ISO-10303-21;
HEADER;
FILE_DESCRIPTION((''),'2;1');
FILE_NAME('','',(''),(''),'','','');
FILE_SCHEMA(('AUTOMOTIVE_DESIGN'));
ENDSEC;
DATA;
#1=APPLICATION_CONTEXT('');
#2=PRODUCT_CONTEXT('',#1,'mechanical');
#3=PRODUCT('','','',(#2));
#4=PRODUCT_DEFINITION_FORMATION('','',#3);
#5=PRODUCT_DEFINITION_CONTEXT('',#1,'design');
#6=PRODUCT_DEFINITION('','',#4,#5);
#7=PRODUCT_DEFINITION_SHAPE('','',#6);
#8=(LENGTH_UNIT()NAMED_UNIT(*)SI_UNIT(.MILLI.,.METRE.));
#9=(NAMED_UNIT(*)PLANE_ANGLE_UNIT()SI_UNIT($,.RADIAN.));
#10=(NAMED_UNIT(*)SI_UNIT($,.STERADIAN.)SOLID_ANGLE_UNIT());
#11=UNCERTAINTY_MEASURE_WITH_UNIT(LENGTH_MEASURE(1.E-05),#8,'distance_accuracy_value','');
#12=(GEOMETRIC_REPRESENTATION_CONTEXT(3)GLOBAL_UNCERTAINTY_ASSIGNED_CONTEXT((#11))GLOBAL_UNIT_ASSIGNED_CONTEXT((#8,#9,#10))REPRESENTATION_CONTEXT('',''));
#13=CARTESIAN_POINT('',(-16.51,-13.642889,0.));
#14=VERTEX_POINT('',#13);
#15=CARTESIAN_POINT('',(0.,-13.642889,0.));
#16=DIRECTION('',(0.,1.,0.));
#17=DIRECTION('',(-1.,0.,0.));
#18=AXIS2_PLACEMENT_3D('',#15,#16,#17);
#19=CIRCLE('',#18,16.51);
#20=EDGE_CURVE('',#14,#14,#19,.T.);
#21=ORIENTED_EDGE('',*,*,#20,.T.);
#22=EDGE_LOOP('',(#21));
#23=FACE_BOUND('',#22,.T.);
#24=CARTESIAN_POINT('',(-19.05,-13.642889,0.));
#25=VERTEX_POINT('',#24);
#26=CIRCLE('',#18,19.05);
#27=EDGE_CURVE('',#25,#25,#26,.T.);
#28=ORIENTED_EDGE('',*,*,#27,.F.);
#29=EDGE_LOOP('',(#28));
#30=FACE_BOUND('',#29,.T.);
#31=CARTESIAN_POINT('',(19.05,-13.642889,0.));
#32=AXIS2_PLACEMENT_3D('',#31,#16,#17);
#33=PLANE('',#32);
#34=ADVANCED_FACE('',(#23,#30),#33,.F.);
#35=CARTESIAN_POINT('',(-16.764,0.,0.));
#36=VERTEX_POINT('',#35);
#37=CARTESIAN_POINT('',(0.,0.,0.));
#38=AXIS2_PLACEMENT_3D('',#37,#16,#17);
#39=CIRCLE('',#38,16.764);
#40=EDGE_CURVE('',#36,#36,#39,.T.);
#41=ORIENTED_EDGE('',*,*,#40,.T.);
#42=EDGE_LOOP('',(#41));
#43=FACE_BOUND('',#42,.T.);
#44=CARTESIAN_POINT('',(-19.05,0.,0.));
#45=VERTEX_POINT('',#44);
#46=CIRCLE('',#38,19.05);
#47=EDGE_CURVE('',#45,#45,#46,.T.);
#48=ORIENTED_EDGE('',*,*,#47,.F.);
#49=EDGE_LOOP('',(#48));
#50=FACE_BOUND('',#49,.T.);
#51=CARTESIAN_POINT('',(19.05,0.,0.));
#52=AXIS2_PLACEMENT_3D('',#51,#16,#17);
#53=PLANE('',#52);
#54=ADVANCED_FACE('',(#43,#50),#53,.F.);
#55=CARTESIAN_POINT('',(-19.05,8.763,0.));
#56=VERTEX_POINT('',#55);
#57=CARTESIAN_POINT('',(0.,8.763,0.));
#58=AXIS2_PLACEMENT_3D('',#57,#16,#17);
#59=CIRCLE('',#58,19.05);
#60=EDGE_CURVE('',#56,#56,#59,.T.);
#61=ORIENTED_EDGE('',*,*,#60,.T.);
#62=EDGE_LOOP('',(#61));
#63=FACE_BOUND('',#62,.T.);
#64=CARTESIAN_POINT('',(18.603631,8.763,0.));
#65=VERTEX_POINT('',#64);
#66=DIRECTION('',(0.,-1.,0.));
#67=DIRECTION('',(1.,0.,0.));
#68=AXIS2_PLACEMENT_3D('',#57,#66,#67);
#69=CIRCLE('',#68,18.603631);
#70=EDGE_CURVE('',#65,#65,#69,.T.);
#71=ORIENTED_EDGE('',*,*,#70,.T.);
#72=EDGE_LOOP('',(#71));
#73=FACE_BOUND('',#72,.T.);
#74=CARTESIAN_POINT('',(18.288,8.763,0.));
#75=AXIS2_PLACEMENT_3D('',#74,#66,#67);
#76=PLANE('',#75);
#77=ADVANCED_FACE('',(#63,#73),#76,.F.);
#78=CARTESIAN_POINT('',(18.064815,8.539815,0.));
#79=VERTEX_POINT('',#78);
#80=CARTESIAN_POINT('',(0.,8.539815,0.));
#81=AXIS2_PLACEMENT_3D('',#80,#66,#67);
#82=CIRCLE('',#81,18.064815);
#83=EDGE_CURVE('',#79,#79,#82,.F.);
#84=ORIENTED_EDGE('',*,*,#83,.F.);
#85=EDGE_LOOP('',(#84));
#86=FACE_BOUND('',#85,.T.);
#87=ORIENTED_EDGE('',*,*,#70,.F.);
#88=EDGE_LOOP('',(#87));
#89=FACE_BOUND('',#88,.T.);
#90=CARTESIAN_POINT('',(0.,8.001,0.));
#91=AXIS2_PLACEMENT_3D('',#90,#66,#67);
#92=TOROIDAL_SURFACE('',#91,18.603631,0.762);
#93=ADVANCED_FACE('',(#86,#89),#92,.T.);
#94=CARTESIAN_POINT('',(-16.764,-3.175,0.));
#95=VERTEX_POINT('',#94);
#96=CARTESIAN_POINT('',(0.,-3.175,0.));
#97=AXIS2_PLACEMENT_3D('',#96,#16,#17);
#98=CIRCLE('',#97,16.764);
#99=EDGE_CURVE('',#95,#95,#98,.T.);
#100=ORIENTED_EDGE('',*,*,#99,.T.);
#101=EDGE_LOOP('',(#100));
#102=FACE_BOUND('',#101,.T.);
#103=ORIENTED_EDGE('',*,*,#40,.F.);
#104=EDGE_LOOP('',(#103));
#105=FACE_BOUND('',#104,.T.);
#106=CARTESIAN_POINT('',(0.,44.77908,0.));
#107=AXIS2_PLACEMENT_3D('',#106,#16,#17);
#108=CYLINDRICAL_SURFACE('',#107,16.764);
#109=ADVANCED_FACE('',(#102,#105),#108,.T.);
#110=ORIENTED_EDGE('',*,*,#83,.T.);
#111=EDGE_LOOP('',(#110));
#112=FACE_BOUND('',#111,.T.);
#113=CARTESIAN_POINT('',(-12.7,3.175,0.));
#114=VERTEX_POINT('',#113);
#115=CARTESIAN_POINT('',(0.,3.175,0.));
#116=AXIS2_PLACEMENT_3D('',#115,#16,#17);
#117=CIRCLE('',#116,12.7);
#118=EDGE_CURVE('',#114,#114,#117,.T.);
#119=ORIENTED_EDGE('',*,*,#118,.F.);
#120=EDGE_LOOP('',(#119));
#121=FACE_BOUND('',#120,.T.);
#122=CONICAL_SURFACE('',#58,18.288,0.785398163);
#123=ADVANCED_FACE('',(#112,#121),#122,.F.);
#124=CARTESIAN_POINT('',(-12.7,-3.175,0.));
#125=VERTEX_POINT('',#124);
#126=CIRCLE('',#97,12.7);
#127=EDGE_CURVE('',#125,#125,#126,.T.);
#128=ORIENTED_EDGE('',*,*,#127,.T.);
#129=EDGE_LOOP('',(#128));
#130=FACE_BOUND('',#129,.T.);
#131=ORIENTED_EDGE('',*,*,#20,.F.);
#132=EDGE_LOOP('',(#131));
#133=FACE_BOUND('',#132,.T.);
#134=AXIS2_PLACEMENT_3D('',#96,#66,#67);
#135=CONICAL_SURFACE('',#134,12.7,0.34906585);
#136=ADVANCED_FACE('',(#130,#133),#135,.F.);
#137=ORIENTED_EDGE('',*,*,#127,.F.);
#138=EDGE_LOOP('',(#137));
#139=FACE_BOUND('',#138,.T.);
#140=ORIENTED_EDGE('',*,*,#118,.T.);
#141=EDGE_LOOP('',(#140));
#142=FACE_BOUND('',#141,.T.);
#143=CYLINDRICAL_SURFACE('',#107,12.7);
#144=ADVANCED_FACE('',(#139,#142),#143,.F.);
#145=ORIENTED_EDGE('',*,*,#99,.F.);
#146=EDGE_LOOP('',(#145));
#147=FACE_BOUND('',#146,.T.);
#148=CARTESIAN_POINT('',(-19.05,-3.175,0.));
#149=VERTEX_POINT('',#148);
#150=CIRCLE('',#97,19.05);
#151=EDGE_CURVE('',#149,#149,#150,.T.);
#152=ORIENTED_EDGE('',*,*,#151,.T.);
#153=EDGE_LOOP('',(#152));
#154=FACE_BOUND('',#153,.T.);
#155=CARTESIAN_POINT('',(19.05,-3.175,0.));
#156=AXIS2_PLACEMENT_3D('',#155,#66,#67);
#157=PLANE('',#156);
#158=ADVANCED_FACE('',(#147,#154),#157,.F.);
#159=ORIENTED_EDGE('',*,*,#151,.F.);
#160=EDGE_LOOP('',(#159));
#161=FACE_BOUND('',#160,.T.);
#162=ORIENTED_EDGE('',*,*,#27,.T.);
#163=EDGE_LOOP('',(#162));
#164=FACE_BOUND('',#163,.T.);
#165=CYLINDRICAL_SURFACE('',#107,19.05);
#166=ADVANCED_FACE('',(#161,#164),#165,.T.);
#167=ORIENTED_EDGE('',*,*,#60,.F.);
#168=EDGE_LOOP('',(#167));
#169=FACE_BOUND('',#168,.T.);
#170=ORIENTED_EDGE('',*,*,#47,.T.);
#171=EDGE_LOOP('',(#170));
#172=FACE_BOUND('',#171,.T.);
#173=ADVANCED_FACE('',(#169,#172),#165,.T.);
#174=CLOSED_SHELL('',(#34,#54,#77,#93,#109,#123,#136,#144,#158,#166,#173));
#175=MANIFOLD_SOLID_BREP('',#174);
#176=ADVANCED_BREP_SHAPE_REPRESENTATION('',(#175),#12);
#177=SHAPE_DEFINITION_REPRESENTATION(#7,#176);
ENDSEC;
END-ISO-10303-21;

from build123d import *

# Parameters (mm, degrees)
FILLET3_R = 0.762


with BuildPart() as part:
    # Sketch1 → Revolve1 (revolve)
    with BuildSketch(Plane.XY, mode=Mode.PRIVATE) as revolve1_sk:
        Polygon((12.7, -3.175), (12.7, 3.175), (18.288, 8.763), (19.05, 8.763), (19.05, 0), (16.764, 0), (16.764, -3.175), (19.05, -3.175), (19.05, -13.642888968), (16.51, -13.642888968), align=None)
    revolve(revolve1_sk.sketch.rotate(Axis((0, 44.779079664, 0), (0, -1, 0)), 180), axis=Axis((0, 44.779079664, 0), (0, -1, 0)))

    # Fillet3
    fillet3_edges = [part.edges().sort_by_distance(p)[0] for p in [
        (18.288, 8.763, 0),
    ]]
    fillet(fillet3_edges, radius=FILLET3_R)


solid = part.part
